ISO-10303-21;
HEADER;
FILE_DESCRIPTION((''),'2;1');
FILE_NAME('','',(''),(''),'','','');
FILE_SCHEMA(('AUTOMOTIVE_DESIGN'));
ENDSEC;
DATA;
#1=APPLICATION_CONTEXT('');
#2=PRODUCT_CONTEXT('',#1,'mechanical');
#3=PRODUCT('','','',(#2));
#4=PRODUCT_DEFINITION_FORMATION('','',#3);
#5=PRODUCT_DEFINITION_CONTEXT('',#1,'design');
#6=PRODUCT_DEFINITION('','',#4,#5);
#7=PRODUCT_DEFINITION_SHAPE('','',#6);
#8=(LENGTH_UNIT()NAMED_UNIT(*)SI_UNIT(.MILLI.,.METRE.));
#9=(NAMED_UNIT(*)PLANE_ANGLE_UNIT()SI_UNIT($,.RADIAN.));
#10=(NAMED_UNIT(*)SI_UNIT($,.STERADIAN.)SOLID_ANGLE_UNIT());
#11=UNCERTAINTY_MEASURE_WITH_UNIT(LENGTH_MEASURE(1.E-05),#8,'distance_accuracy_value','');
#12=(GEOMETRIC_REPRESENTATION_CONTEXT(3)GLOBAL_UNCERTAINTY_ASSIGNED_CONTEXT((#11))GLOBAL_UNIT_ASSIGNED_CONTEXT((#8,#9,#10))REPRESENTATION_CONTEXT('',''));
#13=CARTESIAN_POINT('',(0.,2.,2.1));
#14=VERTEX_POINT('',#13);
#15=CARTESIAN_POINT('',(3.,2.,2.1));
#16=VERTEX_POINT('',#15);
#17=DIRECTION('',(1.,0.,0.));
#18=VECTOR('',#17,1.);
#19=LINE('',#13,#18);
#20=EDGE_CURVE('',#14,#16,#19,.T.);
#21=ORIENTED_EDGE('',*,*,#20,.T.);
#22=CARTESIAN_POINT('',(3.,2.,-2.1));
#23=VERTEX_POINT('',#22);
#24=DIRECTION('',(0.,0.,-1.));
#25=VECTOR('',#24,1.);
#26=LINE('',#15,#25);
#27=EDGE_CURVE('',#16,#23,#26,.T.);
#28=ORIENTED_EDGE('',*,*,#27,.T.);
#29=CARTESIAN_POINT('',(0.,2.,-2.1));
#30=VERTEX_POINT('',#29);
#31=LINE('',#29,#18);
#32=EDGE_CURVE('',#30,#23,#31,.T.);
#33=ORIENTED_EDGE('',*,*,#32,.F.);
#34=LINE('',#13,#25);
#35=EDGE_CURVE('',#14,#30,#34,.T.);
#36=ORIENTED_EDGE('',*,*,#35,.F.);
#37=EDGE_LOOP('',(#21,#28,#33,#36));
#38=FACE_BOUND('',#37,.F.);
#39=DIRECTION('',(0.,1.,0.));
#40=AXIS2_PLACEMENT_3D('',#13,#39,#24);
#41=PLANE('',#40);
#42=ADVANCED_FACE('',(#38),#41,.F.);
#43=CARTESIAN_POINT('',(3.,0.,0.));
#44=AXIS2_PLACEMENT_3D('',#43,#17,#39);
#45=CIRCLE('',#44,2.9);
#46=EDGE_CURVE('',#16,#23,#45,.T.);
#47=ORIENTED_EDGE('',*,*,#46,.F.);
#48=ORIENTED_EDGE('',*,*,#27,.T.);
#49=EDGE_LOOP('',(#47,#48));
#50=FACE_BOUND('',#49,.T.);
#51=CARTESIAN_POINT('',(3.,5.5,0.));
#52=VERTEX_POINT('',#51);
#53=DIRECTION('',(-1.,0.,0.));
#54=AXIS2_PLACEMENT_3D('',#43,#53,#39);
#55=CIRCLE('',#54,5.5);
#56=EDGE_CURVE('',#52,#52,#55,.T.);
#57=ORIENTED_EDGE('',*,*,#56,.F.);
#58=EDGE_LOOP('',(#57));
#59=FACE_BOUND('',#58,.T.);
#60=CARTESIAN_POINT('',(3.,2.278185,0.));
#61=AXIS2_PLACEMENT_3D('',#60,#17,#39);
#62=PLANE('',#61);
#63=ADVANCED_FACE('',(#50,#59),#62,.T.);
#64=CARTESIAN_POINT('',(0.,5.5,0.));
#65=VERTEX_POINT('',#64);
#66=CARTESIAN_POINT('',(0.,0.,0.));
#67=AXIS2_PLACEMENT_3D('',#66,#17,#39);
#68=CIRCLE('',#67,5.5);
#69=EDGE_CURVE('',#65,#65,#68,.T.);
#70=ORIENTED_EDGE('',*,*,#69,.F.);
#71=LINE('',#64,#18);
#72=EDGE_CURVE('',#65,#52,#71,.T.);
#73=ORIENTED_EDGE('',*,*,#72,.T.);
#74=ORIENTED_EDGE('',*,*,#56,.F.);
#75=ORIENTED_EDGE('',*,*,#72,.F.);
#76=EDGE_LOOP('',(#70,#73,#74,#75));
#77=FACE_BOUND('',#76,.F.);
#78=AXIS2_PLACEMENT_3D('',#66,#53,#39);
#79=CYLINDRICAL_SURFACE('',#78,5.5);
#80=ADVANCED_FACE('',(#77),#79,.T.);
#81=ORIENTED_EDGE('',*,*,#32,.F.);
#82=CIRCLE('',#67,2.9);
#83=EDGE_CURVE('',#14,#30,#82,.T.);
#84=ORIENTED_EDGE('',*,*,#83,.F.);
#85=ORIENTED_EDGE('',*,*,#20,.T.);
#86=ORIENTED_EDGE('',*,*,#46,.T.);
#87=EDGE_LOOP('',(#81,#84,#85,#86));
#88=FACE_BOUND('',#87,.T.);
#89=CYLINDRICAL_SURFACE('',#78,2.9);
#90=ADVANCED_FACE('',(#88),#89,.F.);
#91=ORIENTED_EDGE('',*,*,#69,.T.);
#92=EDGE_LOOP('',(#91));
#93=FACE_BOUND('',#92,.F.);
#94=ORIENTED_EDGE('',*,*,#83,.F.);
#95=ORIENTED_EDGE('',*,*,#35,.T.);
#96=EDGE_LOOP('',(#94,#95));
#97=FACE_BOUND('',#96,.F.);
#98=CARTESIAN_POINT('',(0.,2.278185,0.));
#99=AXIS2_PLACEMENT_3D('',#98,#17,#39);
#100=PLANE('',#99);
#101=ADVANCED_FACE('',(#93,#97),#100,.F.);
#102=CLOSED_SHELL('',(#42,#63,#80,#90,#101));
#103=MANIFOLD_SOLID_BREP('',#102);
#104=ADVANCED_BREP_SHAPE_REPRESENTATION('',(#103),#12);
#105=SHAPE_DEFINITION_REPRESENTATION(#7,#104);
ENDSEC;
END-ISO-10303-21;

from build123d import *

# Parameters (mm, degrees)
F0_R     = 2.9
F1_DEPTH = 3
F3_DEPTH = 3
F4_R     = 14.864409
F4_R_2   = 5.5
F5_DEPTH = 25.4


with BuildPart() as f1:
    # F0 (on Right) → F1 (new body)
    with BuildSketch(Plane.YZ):
        Polygon((0.84, 10.466346), (0, 12.5), (-0.838096, 10.465561), (-1.993439, 12.338134), (-2.494335, 10.1956), (-3.935098, 11.858594), (-4.085821, 9.663455), (-5.77469, 11.073799), (-5.571336, 8.88291), (-7.46457, 10.004076), (-6.912406, 7.874179), (-8.96097, 8.67713), (-8.074297, 6.663388), (-10.225136, 7.127329), (-9.026918, 5.281896), (-11.224325, 5.39481), (-9.745595, 3.765483), (-11.932659, 3.524446), (-10.211716, 2.153423), (-12.331793, 1.564677), (-10.413209, 0.487468), (-12.41139, -0.433738), (-10.344854, -1.189236), (-12.169387, -2.419043), (-10.008422, -2.833261), (-11.612053, -4.339818), (-9.412626, -4.402029), (-10.753822, -6.146318), (-8.572898, -5.85491), (-9.616923, -7.791753), (-7.510986, -7.154275), (-8.230799, -9.23351), (-6.254392, -8.26647), (-6.631351, -10.434246), (-4.835663, -9.162691), (-4.860004, -11.362863), (-3.291541, -9.819726), (-2.962635, -11.995311), (-1.66202, -10.220558), (-0.988385, -12.315209), (0.010698, -10.354806), (1.011615, -12.314273), (1.683289, -10.218992), (2.985565, -11.992527), (3.312434, -9.816635), (4.882341, -11.358303), (4.85594, -9.158155), (6.652818, -10.428028), (6.27383, -8.260606), (8.251141, -9.225795), (7.529382, -7.147235), (9.635915, -7.782742), (8.590078, -5.846877), (10.771274, -6.136242), (9.428445, -4.39321), (11.627813, -4.32894), (10.022772, -2.823885), (12.183349, -2.407644), (10.357664, -1.179545), (12.423493, -0.422113), (10.42445, 0.497221), (12.342025, 1.576227), (10.221398, 2.162987), (11.941057, 3.53562), (9.753768, 3.77461), (11.230972, 5.405321), (9.033671, 5.29035), (10.230161, 7.136903), (8.079758, 6.670949), (8.964545, 8.685521), (6.916733, 7.880652), (7.466903, 10.011065), (5.57472, 8.888127), (5.776023, 11.079206), (4.088475, 9.667282), (3.935697, 11.862278), (2.496491, 10.197936), (1.99359, 12.34), align=None)
        Circle(F0_R, mode=Mode.SUBTRACT)
    extrude(amount=F1_DEPTH)

    # F2 (on Right) → F3 (join)
    with BuildSketch(Plane.YZ):
        with BuildLine():
            ThreePointArc((2, -2.1), (2.9, 0), (2, 2.1))
            Line((2, 2.1), (2, -2.1))
        make_face()
    extrude(amount=F3_DEPTH)

    # F4 (on Right) → F5 (cut)
    with BuildSketch(Plane.YZ):
        Circle(F4_R)
        Circle(F4_R_2, mode=Mode.SUBTRACT)
    extrude(amount=F5_DEPTH, mode=Mode.SUBTRACT)


solid = f1.part
